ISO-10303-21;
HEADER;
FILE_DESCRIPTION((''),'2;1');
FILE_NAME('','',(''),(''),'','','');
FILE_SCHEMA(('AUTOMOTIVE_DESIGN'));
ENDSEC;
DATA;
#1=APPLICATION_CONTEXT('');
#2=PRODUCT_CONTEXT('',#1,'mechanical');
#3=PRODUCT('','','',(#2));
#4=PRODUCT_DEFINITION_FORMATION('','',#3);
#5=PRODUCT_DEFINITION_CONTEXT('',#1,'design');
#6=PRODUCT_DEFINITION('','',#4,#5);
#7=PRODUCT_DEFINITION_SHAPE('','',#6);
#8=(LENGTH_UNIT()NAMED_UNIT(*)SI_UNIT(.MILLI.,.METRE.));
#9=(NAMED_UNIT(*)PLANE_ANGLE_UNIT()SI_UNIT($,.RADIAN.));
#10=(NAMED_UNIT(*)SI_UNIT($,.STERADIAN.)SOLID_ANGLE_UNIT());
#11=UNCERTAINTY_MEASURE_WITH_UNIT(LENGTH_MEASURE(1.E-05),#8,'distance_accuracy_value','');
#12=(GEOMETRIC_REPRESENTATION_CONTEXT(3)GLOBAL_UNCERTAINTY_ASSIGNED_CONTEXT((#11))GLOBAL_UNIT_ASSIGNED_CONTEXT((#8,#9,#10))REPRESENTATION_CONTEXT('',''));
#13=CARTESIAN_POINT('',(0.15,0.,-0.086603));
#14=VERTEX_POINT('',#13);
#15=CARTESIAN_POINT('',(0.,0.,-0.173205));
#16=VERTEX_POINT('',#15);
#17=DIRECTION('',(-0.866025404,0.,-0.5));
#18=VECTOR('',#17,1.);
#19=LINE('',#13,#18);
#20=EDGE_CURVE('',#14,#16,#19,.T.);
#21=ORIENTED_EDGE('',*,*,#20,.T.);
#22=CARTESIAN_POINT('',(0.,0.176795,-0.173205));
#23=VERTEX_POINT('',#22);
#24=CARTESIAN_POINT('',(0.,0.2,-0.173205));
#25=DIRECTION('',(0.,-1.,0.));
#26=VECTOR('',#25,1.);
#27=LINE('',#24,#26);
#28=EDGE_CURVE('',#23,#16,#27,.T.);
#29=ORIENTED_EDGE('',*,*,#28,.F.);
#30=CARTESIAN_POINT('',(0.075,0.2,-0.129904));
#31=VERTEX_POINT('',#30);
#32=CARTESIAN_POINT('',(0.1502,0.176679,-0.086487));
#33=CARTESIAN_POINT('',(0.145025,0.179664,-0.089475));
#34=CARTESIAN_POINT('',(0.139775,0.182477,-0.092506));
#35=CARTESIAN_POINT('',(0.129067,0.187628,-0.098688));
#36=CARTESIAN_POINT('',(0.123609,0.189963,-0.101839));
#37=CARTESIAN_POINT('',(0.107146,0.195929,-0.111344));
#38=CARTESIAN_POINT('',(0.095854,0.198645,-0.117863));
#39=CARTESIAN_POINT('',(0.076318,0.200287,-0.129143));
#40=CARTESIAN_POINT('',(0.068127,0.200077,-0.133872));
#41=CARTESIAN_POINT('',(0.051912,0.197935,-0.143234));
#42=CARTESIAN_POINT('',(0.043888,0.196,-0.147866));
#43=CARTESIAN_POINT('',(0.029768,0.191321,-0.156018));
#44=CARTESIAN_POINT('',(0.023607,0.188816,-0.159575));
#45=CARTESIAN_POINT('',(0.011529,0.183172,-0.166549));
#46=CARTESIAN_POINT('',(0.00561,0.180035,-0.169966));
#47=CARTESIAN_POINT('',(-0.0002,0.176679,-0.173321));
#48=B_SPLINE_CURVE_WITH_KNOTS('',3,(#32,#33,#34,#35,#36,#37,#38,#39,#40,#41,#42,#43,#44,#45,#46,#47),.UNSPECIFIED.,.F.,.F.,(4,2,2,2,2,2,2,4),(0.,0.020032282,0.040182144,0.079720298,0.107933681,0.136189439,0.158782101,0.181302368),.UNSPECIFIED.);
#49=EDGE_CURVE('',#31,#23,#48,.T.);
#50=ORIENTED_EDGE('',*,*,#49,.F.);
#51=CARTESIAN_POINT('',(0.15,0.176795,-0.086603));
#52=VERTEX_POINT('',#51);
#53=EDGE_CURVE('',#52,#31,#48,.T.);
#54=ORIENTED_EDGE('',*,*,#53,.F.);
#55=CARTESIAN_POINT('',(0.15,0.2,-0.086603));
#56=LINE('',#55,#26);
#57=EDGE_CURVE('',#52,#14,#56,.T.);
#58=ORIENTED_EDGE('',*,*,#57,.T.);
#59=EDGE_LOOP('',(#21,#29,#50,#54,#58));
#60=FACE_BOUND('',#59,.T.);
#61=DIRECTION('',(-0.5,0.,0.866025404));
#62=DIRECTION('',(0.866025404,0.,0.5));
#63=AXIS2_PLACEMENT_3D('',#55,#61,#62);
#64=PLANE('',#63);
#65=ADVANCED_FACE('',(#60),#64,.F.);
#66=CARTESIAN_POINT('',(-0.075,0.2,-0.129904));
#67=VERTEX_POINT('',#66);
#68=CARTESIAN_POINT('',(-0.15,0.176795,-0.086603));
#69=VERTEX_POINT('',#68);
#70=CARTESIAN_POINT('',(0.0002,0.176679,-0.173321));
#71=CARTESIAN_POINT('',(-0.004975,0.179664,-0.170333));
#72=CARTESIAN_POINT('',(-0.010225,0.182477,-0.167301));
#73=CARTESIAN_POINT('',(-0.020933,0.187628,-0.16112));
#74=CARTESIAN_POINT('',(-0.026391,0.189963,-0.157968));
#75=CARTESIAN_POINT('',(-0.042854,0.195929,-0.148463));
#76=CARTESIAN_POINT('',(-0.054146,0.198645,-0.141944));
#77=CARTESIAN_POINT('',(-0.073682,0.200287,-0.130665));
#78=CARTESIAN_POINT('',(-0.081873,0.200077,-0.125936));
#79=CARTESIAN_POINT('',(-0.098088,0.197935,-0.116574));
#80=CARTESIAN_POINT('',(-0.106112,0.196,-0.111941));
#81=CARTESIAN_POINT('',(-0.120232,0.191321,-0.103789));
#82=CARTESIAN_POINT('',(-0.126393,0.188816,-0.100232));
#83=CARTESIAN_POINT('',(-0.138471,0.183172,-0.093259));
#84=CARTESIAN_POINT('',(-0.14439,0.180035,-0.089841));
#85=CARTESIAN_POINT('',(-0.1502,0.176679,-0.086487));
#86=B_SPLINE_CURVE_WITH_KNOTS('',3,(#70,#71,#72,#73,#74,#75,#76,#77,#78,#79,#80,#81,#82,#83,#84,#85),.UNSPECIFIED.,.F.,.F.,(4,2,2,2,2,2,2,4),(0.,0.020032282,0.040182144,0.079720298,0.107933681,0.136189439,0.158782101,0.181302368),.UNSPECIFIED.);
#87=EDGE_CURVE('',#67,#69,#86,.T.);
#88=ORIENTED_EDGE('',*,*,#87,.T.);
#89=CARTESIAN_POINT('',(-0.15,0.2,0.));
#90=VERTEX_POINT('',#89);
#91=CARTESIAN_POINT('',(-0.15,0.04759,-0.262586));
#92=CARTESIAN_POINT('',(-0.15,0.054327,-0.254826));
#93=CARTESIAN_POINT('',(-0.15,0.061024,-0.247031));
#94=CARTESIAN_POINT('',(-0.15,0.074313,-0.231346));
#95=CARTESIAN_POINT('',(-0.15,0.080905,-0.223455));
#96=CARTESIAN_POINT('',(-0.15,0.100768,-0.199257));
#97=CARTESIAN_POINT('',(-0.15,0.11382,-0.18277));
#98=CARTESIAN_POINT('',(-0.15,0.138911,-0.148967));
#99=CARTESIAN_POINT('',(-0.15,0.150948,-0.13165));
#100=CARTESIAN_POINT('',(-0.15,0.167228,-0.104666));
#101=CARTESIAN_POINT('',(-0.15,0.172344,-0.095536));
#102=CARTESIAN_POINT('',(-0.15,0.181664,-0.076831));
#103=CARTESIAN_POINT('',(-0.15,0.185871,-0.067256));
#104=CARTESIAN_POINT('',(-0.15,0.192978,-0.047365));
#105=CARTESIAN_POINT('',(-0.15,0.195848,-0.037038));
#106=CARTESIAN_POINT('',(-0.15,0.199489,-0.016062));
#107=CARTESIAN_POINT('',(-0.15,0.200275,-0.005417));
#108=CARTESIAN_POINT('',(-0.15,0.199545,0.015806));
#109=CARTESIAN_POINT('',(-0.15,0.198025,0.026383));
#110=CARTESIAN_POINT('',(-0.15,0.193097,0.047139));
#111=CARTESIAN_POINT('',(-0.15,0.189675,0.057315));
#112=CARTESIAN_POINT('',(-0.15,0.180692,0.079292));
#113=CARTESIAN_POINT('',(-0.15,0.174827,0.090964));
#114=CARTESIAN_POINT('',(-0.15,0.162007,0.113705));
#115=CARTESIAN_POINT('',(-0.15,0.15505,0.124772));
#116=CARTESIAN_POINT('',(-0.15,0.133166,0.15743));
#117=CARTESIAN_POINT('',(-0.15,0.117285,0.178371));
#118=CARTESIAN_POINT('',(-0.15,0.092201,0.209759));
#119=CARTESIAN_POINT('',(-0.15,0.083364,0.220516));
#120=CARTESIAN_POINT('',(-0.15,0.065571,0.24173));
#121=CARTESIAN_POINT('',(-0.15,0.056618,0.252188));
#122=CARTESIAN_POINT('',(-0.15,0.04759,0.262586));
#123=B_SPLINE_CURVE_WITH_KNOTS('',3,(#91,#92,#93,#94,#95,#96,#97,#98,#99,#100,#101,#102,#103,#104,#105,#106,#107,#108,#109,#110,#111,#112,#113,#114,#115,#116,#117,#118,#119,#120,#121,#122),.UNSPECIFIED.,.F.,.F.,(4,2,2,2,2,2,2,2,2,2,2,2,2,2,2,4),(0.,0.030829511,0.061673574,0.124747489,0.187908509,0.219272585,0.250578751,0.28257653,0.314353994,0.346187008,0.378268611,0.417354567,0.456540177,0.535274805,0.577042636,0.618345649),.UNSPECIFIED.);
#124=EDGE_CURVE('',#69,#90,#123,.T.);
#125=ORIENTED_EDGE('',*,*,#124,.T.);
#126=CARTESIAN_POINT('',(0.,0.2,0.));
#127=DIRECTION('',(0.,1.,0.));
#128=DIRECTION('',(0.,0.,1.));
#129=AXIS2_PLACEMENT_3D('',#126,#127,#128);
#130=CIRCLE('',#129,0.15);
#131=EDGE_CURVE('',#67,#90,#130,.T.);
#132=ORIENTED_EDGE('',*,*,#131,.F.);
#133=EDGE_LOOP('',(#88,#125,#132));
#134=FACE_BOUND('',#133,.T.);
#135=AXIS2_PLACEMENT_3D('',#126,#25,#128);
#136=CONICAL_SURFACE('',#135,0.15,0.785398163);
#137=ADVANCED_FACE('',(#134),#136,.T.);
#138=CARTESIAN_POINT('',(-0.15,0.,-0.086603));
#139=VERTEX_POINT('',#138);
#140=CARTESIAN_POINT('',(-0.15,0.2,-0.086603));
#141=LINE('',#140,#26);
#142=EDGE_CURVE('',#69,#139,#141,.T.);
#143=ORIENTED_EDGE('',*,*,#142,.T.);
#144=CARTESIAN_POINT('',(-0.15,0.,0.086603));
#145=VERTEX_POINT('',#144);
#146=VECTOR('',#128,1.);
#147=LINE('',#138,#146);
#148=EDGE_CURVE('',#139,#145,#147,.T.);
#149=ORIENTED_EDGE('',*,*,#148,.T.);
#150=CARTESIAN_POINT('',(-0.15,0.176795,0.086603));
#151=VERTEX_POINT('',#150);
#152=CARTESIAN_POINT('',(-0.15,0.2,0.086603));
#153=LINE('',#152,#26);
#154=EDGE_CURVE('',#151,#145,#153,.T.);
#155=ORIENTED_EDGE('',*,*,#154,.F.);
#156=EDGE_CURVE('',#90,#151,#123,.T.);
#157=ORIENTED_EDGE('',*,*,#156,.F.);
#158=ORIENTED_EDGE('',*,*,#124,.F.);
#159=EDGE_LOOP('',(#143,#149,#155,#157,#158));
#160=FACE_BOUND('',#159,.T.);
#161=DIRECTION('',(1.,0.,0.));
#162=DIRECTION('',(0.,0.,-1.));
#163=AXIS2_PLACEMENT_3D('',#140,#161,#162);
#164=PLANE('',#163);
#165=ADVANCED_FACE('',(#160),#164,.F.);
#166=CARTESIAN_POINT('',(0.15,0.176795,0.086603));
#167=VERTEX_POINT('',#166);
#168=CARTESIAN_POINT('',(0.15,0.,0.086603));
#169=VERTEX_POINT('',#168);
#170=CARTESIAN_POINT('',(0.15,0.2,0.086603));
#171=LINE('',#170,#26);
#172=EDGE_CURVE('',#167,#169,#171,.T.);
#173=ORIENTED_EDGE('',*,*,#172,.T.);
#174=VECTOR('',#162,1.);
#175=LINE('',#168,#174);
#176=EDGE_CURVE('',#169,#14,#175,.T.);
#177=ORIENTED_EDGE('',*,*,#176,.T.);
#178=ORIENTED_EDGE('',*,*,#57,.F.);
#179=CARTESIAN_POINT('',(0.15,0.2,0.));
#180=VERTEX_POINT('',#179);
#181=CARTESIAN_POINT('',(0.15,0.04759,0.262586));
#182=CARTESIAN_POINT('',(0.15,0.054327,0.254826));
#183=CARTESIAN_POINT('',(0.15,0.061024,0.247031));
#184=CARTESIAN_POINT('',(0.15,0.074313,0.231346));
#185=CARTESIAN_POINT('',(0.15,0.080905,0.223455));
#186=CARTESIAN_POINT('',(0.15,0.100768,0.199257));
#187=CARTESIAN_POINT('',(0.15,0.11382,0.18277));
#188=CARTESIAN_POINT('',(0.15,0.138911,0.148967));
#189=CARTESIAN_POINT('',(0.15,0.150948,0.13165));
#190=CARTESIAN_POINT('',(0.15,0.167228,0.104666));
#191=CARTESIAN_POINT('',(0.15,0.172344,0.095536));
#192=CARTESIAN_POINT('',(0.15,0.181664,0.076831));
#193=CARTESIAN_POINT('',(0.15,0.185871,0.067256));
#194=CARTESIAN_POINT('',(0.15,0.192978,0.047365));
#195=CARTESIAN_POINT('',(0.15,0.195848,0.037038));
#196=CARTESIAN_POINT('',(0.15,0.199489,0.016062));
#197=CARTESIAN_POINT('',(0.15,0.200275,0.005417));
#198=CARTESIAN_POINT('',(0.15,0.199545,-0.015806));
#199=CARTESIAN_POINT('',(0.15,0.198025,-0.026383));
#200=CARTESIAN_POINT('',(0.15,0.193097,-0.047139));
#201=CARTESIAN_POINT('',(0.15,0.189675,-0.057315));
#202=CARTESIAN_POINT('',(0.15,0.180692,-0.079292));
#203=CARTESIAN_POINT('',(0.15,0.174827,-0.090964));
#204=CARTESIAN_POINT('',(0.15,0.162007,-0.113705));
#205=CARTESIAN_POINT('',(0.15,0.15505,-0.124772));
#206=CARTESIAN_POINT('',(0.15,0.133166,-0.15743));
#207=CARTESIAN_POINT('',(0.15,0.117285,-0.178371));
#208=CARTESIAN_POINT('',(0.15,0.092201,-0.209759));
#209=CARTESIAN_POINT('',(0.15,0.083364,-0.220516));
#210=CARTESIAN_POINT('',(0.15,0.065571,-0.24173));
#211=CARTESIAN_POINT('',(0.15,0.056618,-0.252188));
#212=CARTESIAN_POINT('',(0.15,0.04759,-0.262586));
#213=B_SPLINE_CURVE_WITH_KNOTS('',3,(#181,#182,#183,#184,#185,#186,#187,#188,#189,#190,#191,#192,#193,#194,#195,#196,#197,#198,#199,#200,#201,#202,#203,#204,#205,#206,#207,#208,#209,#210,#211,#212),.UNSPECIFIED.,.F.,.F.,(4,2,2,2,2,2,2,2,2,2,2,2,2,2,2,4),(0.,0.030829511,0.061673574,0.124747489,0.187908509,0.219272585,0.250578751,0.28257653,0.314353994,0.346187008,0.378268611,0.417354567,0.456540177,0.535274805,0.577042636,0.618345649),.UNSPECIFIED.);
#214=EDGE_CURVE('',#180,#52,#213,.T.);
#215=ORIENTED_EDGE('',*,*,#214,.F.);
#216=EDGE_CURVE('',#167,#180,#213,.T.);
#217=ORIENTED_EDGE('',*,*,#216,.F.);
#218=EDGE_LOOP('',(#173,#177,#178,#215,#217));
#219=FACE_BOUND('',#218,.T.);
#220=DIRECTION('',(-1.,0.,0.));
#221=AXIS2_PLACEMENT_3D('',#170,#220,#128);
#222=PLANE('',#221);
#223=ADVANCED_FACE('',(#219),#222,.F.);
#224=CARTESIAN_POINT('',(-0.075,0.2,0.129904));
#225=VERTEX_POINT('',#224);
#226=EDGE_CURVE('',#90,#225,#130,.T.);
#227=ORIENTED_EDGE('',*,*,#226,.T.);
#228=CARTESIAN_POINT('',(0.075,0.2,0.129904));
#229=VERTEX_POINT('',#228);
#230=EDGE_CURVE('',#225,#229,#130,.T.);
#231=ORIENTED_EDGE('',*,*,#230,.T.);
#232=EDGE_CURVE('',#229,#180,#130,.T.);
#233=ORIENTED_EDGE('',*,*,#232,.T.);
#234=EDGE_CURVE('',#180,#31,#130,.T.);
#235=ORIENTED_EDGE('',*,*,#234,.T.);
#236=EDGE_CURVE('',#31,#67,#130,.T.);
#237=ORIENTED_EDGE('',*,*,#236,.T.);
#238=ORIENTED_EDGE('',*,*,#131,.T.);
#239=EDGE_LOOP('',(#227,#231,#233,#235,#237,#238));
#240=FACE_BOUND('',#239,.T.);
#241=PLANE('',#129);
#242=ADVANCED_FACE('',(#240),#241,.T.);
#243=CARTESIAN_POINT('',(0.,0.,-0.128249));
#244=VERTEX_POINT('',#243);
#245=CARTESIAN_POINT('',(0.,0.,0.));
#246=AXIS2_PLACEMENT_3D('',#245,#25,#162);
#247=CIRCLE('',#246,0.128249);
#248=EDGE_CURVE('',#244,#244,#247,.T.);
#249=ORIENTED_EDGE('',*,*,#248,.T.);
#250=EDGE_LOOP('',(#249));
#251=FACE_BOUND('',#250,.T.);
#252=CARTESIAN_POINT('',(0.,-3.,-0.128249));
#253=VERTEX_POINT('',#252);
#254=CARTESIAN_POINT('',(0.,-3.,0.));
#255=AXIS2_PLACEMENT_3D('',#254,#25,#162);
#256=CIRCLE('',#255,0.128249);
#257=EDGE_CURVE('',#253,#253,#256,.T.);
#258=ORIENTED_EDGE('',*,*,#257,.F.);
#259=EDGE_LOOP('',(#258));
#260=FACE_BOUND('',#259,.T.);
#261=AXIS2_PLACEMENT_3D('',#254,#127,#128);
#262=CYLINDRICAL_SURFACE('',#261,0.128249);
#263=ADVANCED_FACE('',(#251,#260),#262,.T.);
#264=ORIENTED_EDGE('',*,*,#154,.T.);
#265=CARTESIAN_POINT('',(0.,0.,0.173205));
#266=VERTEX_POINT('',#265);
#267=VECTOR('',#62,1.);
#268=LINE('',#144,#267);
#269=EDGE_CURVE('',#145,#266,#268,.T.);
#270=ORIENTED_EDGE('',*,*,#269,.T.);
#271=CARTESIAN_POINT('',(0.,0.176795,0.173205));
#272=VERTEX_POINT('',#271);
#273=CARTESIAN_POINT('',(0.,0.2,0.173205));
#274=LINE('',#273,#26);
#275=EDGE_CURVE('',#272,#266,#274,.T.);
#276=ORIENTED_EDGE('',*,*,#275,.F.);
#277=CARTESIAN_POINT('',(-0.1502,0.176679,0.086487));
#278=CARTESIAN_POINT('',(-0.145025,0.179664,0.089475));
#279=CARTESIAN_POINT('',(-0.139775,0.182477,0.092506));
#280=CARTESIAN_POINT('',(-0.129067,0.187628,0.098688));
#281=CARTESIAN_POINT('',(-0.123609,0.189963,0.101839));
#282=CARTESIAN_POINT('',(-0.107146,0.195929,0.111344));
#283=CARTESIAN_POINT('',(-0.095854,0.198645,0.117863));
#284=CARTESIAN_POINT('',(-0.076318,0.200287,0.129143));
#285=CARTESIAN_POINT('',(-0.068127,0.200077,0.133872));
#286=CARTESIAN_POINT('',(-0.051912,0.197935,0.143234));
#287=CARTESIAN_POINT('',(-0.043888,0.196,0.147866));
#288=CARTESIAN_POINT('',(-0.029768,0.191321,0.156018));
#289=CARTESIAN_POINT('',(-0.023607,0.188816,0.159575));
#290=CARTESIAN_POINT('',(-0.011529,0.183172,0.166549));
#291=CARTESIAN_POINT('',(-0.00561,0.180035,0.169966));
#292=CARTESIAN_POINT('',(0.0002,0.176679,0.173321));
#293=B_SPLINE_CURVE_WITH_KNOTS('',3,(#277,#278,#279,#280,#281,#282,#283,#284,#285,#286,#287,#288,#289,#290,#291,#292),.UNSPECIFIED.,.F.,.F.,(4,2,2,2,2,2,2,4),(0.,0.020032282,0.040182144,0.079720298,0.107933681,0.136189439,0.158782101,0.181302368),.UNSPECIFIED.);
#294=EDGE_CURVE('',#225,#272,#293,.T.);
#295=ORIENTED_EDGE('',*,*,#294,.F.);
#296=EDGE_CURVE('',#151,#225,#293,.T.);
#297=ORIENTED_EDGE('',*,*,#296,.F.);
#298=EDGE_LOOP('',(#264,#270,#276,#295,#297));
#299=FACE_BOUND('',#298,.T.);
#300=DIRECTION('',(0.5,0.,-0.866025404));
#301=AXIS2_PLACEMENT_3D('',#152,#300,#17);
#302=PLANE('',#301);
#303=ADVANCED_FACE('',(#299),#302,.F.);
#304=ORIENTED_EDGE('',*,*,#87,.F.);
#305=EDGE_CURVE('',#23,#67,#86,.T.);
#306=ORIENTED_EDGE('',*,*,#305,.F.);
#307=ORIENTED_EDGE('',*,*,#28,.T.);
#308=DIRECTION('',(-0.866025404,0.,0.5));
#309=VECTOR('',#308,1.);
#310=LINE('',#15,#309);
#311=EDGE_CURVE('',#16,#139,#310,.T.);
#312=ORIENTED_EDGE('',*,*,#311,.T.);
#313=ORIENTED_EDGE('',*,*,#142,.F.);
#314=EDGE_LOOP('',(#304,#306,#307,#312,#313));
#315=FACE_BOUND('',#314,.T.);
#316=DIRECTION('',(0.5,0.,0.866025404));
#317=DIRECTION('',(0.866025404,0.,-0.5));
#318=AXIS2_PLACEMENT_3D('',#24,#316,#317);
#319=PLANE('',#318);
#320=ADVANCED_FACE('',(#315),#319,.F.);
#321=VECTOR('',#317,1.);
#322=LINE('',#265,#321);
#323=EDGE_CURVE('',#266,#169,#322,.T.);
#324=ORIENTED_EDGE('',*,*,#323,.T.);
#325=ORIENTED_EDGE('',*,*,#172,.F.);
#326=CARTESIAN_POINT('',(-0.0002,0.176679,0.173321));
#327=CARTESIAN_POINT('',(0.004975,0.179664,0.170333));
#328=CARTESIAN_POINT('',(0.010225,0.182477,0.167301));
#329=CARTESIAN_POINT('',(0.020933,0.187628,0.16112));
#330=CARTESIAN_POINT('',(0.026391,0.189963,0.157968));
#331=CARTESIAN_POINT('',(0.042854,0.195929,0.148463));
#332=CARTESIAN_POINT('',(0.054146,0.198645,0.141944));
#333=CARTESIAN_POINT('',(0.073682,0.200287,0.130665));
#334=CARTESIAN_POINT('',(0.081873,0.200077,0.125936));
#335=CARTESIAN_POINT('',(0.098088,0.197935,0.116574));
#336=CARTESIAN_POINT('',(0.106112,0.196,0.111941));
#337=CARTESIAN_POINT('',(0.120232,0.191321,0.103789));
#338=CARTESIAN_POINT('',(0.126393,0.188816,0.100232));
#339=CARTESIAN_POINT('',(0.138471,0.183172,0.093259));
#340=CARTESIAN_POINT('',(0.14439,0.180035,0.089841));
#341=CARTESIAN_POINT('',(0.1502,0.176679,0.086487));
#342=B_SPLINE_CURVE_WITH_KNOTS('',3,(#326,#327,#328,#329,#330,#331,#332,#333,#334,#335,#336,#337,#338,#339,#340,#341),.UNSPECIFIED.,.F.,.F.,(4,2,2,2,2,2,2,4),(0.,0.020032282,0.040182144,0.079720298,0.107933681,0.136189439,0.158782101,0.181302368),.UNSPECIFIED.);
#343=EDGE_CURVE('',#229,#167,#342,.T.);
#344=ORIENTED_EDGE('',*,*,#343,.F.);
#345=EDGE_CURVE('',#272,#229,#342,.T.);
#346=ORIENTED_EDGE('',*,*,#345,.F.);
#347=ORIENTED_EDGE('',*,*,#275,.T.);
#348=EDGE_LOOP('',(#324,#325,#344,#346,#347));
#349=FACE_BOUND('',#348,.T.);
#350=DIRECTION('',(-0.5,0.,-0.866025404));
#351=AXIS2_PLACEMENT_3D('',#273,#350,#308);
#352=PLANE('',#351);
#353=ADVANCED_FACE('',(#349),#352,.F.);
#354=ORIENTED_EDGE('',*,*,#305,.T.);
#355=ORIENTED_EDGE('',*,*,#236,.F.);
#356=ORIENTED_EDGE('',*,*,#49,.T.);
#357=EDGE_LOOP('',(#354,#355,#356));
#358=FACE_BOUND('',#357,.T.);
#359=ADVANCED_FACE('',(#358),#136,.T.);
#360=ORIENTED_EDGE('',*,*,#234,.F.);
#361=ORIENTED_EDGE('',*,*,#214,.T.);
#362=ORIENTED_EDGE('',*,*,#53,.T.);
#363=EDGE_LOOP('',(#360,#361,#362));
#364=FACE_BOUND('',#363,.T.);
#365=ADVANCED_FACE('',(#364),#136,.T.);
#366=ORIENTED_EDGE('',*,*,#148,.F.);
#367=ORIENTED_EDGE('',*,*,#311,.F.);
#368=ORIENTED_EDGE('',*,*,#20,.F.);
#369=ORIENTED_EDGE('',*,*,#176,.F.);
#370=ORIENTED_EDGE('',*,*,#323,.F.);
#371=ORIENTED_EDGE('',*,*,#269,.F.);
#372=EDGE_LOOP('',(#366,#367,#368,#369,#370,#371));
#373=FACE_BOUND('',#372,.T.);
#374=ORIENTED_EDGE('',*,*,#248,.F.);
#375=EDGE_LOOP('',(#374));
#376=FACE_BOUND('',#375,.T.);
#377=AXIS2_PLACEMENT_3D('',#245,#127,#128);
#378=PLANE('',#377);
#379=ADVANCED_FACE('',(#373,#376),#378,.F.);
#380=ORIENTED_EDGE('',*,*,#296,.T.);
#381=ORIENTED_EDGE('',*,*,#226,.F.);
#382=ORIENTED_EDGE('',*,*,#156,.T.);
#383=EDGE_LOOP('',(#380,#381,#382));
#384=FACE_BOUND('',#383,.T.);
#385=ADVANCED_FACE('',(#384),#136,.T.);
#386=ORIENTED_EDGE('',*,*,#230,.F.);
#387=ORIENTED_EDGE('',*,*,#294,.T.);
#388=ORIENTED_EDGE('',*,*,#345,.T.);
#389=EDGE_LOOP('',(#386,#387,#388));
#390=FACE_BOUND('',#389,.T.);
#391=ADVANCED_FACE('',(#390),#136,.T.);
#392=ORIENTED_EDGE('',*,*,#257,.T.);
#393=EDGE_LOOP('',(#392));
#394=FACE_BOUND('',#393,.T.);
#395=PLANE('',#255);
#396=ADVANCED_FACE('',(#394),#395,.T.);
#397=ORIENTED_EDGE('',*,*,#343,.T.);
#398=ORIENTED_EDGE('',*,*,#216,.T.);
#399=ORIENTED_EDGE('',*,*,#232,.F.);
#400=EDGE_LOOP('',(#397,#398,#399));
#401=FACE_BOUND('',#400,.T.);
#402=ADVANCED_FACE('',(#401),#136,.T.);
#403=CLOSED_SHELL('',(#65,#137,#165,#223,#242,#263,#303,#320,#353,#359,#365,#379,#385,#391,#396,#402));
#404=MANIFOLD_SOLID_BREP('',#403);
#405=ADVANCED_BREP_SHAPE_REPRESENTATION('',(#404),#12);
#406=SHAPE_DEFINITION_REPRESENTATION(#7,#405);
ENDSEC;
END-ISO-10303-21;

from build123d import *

# Parameters (mm, degrees)
BOSS_EXTRUDE1_DEPTH = 0.2
SKETCH2_R           = 0.128248653
BOSS_EXTRUDE2_DEPTH = 3
SKETCH7_OUTSIDE_W   = 3.006
SKETCH7_OUTSIDE_H   = 3.052
SKETCH7_OUTSIDE_R   = 0.15
CUT_EXTRUDE2_DEPTH  = 0.03
CUT_EXTRUDE2_DRAFT  = -45


with BuildPart() as part:
    # Sketch1 → Boss-Extrude1 (new body)
    with BuildSketch(Plane(origin=(0, 0, 0), x_dir=(1, 0, 0), z_dir=(0, 1, 0))):
        Polygon((0.15, 0.08660254), (0, 0.173205081), (-0.15, 0.08660254), (-0.15, -0.08660254), (0, -0.173205081), (0.15, -0.08660254), align=None)
    extrude(amount=BOSS_EXTRUDE1_DEPTH)

    # Sketch2 → Boss-Extrude2 (add)
    with BuildSketch(Plane.XZ):
        with Locations(Location((0, 0, 0), (0, 0, 270))):
            Circle(SKETCH2_R)
    extrude(amount=BOSS_EXTRUDE2_DEPTH)


with BuildPart() as cut_extrude2_tool:
    # Sketch7 outside → Cut-Extrude2 (with draft: the straight prism first)
    with BuildSketch(Plane(origin=(0, 0.2, 0), x_dir=(1, 0, 0), z_dir=(0, 1, 0))):
        Rectangle(SKETCH7_OUTSIDE_W, SKETCH7_OUTSIDE_H)
        Circle(SKETCH7_OUTSIDE_R, mode=Mode.SUBTRACT)
    extrude(amount=-CUT_EXTRUDE2_DEPTH)
    # Cut-Extrude2: the draft: its side faces are tilted about the plane it starts from
    cut_extrude2_sides = [cut_extrude2_tool.faces().sort_by_distance(p)[0] for p in [
        (0, 0.185, 1.526),
        (1.503, 0.185, 0),
        (0, 0.185, -1.526),
        (-1.503, 0.185, 0),
        (-0.15, 0.185, 0),
    ]]
    draft(cut_extrude2_sides, Plane(origin=(0, 0.2, 0), x_dir=(1, 0, 0), z_dir=(0, 1, 0)), CUT_EXTRUDE2_DRAFT)


with BuildPart() as part_1:
    add(part.part)

    # Cut-Extrude2: cut by cut_extrude2_tool
    add(cut_extrude2_tool.part, mode=Mode.SUBTRACT)


solid = part_1.part
